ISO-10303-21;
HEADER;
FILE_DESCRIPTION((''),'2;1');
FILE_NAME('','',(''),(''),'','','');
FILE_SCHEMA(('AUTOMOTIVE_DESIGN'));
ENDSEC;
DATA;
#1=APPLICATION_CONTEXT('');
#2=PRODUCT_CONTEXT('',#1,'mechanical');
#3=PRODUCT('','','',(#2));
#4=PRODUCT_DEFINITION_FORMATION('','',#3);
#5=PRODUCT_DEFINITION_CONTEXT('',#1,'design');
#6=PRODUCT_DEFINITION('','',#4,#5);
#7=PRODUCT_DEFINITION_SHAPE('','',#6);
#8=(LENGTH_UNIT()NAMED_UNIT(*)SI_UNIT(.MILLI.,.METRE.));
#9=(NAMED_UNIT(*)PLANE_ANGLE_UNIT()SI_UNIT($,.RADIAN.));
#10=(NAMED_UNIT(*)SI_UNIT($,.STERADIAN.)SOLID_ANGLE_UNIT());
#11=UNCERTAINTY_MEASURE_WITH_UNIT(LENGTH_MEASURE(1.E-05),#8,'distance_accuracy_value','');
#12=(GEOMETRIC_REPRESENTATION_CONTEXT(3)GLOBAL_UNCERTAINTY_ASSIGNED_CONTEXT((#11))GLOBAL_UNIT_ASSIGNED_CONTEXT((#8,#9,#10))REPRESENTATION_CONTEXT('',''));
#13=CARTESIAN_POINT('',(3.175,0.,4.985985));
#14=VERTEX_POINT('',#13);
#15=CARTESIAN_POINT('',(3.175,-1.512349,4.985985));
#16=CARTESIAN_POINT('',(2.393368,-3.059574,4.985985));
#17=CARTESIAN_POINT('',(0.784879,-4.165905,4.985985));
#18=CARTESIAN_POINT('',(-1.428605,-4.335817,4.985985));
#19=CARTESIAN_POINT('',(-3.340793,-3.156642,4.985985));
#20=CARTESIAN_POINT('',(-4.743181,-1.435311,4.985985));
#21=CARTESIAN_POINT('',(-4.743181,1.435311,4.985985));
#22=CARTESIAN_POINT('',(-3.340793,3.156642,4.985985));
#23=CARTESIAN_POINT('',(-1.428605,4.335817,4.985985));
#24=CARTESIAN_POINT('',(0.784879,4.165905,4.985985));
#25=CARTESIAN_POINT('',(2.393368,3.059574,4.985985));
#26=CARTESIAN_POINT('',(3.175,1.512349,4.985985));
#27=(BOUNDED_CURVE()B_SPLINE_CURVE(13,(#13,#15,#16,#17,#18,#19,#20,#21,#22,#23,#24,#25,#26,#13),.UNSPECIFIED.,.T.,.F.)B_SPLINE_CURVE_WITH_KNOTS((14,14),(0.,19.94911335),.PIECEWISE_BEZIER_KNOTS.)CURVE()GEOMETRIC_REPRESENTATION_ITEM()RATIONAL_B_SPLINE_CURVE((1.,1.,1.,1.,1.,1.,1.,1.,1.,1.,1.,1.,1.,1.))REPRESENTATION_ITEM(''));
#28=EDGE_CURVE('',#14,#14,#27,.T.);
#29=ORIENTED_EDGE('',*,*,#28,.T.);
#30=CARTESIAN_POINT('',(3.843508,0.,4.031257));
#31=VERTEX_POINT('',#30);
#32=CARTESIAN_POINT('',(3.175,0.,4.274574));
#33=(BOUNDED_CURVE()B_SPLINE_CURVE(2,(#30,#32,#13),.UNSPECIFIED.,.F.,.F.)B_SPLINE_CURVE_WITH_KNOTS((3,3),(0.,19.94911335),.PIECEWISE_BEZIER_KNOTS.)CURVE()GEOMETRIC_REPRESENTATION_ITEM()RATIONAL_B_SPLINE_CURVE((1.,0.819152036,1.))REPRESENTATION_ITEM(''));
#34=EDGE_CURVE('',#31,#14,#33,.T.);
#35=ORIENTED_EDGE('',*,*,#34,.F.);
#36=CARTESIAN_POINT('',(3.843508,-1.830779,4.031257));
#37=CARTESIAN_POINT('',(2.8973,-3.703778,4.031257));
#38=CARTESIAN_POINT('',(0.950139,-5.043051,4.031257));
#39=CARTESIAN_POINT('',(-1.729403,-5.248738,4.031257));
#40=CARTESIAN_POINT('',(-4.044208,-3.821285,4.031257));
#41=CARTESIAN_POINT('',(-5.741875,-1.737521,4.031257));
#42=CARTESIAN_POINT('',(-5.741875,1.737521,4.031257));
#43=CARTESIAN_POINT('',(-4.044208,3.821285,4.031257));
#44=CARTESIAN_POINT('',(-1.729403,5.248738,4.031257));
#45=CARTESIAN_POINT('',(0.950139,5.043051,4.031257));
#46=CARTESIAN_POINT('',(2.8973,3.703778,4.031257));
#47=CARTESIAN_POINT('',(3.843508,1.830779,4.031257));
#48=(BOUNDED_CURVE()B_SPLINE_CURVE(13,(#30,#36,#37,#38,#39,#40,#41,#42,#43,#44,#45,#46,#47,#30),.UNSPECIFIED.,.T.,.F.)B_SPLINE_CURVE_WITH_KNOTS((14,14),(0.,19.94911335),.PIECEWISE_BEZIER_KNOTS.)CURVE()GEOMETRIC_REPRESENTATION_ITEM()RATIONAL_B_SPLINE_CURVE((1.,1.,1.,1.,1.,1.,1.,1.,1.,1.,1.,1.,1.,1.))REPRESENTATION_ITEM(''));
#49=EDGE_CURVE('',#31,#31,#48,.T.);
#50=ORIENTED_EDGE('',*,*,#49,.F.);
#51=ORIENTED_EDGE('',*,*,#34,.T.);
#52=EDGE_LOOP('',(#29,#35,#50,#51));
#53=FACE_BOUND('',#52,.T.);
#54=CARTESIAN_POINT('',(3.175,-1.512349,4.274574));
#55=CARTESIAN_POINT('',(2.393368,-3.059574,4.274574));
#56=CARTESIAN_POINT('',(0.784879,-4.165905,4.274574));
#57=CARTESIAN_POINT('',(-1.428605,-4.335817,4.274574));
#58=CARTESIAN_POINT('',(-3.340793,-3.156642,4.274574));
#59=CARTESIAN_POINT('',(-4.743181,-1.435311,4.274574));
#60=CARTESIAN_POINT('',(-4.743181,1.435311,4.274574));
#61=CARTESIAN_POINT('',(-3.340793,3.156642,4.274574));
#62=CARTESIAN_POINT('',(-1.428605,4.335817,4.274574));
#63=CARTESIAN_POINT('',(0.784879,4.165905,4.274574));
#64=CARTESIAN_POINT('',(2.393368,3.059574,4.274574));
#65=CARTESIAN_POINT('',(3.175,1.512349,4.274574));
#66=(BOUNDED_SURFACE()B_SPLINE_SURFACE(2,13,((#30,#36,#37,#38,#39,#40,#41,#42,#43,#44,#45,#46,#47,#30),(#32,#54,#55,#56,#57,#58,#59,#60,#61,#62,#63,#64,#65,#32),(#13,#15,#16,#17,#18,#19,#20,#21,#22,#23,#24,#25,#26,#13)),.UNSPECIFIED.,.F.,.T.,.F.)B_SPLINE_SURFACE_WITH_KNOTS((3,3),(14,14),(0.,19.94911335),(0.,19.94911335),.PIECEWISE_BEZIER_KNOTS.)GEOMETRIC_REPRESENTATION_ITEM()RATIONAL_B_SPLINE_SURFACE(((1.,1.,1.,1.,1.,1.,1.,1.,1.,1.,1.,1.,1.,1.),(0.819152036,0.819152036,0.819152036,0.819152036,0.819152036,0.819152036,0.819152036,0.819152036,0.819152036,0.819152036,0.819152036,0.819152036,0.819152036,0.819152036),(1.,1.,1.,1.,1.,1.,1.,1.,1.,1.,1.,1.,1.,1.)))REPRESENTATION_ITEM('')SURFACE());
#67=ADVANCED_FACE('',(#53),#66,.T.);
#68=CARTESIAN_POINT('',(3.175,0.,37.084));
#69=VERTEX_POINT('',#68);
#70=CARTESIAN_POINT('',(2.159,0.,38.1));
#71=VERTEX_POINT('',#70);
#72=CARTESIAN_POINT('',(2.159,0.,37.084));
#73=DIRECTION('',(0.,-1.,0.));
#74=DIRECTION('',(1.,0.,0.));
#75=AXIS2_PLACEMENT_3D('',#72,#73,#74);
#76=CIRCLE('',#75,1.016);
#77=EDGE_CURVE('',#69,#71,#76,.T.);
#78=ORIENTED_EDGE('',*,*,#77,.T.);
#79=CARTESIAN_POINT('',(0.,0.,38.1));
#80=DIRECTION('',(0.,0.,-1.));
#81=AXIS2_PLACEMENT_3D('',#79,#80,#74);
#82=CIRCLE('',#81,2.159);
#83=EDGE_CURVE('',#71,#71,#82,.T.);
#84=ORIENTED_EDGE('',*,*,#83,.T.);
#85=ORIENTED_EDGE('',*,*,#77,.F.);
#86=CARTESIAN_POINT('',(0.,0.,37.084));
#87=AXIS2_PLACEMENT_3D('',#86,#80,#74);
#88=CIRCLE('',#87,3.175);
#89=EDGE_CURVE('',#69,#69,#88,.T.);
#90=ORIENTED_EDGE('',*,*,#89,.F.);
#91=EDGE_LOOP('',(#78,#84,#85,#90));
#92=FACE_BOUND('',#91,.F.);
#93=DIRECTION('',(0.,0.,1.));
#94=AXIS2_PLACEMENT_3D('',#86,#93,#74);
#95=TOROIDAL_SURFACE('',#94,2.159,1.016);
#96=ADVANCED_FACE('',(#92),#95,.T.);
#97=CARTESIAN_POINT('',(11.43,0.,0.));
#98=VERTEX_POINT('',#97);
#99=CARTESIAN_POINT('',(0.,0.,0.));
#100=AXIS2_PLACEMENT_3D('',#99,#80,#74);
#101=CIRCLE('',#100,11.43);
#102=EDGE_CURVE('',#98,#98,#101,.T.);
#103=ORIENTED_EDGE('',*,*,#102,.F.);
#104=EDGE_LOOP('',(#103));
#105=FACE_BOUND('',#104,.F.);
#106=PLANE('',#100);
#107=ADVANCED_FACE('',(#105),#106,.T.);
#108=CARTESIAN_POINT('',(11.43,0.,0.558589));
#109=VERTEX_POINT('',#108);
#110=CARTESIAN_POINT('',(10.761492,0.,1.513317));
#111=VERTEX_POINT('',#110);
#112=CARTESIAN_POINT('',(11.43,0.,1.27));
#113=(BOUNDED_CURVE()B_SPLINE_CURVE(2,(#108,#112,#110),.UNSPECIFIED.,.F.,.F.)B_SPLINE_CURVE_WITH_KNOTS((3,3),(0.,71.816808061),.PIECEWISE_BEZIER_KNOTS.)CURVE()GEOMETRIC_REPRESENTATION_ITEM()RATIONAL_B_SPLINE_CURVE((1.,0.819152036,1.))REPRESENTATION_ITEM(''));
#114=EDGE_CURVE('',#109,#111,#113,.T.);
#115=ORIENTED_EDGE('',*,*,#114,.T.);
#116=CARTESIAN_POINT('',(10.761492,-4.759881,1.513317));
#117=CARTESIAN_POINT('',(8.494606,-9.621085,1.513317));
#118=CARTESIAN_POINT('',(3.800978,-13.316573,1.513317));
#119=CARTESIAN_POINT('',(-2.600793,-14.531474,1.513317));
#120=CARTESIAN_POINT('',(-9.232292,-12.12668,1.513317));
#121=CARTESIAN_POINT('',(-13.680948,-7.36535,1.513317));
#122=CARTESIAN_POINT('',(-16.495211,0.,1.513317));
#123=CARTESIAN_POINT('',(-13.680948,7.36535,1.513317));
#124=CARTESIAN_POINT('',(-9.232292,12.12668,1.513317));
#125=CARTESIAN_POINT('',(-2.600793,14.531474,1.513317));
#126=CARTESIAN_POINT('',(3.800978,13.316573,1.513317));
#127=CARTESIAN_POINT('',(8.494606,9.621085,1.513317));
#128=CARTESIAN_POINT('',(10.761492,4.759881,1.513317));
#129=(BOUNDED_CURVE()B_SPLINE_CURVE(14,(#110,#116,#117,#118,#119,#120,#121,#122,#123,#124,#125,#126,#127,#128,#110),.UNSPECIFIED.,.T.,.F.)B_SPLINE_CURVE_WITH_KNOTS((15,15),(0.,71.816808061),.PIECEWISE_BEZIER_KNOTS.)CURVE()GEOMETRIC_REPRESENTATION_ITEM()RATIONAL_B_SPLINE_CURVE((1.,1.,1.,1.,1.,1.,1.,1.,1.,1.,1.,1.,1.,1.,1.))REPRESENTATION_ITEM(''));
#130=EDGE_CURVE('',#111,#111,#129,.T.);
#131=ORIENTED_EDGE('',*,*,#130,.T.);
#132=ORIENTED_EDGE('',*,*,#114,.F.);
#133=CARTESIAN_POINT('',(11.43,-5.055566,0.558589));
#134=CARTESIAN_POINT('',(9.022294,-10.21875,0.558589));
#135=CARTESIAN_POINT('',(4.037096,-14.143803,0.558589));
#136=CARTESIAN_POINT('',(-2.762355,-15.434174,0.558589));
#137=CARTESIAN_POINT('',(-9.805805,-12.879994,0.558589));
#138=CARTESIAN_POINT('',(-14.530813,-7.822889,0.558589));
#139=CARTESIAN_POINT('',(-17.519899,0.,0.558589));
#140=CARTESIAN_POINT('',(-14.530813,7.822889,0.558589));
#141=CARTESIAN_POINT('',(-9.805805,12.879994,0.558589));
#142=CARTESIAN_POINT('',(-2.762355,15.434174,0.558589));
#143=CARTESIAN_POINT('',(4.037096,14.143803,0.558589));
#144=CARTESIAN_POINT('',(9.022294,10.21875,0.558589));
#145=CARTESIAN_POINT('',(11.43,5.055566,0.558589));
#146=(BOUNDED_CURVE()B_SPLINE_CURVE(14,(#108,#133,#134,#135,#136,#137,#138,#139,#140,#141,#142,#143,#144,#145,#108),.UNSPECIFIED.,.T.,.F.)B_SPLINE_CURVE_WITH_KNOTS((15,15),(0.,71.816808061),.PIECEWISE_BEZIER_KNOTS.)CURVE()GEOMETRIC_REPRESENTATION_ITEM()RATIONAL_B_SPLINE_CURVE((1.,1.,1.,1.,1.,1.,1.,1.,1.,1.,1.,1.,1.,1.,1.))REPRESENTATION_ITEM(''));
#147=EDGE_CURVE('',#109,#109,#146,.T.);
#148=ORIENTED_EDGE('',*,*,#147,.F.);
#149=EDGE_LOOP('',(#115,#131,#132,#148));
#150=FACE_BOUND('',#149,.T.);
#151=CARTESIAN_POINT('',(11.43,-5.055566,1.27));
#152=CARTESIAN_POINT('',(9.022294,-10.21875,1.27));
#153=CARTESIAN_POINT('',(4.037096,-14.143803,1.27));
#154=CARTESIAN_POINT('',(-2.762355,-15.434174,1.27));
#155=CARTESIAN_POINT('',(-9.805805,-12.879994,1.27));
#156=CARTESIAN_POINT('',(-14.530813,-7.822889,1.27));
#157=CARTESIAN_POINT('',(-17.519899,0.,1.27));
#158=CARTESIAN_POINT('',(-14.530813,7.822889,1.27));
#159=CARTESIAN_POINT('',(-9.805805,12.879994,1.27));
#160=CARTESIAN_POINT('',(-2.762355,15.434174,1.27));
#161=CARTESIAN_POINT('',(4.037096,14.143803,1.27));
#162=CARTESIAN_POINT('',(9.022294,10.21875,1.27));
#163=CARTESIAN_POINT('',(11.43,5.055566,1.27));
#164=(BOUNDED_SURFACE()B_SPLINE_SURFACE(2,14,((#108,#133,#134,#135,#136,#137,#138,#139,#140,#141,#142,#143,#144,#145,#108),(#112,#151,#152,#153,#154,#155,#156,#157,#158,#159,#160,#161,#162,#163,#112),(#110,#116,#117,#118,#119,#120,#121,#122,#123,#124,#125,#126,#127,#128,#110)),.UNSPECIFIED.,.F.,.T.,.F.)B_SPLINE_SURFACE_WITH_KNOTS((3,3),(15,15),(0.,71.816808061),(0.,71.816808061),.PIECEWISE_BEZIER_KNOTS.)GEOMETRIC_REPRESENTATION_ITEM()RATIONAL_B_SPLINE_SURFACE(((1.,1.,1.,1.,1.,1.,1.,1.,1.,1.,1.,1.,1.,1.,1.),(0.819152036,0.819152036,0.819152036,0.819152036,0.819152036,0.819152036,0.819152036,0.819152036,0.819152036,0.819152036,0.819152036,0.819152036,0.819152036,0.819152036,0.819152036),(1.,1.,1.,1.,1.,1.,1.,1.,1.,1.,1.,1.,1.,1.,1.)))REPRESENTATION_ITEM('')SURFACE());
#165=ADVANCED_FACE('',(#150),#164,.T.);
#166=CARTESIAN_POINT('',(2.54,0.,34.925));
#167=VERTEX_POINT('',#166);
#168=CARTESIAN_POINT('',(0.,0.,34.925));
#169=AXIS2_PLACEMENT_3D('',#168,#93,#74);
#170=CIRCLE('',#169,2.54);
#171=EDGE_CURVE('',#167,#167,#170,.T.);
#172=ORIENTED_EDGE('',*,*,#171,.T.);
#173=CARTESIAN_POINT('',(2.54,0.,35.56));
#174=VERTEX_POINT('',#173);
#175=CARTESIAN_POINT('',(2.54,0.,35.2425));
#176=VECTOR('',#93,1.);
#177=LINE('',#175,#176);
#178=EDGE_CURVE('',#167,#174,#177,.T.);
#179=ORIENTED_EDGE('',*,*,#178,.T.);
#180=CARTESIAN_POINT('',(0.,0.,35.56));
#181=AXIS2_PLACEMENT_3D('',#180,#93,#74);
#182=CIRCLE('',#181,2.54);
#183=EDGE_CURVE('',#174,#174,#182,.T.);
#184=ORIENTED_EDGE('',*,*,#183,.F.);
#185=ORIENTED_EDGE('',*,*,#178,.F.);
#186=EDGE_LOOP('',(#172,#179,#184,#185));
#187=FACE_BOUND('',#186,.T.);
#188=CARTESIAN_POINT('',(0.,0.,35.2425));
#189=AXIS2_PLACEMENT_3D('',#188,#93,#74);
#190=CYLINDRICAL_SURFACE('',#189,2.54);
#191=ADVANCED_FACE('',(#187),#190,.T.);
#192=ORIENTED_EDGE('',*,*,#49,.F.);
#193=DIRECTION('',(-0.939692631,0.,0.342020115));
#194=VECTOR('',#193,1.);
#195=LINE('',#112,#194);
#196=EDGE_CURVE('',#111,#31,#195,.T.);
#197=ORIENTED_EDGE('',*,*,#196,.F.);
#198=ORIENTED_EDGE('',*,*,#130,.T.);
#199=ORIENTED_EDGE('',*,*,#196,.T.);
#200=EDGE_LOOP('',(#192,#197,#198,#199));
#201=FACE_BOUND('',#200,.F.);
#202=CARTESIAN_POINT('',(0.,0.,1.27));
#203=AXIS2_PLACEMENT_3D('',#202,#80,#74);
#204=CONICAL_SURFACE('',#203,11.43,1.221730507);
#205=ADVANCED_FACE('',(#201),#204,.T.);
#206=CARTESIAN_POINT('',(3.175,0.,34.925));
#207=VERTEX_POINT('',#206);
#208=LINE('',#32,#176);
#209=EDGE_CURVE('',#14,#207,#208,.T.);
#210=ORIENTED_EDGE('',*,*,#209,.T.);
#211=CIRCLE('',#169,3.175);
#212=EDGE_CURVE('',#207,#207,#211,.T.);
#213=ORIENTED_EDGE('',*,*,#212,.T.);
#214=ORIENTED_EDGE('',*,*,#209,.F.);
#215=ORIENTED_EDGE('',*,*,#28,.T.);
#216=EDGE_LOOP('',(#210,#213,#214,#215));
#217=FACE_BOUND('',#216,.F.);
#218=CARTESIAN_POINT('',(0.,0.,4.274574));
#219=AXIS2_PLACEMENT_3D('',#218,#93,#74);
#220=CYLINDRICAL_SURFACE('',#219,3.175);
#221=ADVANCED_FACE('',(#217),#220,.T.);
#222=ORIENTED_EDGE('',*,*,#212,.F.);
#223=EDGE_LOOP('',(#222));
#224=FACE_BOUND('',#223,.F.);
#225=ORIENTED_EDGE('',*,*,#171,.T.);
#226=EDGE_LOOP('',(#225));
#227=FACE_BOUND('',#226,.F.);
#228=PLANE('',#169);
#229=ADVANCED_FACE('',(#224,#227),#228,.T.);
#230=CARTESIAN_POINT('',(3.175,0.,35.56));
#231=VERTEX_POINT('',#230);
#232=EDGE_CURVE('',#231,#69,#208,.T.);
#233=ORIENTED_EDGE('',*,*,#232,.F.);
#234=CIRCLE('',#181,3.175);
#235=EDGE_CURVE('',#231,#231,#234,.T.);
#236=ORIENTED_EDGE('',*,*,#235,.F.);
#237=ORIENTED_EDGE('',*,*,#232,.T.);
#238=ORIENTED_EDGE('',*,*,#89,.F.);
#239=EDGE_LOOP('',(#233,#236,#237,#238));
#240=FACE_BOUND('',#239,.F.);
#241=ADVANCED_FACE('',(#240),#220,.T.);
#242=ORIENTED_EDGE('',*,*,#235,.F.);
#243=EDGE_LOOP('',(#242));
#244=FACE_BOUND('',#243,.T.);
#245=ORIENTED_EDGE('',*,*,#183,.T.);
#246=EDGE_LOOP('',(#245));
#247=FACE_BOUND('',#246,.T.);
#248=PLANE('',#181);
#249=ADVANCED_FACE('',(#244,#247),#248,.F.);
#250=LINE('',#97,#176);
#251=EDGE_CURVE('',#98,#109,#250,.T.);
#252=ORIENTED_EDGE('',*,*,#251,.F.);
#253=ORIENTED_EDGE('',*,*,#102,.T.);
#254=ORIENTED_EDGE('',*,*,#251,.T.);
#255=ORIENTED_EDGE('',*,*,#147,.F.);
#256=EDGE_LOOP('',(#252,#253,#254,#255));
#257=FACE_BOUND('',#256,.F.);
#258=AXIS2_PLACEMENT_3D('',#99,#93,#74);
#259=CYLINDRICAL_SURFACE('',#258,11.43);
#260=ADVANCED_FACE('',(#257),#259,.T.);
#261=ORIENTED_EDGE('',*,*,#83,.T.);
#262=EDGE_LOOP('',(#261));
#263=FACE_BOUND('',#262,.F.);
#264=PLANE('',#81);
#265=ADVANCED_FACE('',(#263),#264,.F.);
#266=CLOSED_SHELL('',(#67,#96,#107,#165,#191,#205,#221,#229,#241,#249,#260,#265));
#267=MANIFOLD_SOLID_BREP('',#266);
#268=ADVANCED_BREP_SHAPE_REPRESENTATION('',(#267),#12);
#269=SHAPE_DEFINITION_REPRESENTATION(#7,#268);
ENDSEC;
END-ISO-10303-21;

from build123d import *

# Parameters (mm, degrees)
F2_R = 1.016
F3_W = 0.635
F3_H = 0.635
F5_R = 1.016


with BuildPart() as f1:
    # F0 (on Front) → F1 (revolve)
    with BuildSketch(Plane.XZ):
        Polygon((0, 38.1), (0, 0), (11.43, 0), (11.43, 1.27), (3.175, 4.274574), (3.175, 38.1), align=None)
    revolve(axis=Axis((0, 0, 19.05), (0, 0, -1)))

    # F2
    f2_edges = [f1.edges().sort_by_distance(p)[0] for p in [
        (-11.43, 0, 1.27),
        (-3.175, 0, 4.274574),
    ]]
    fillet(f2_edges, radius=F2_R)

    # F3 (on Front) → F4 (revolve, cut)
    with BuildSketch(Plane.XZ):
        with Locations((2.8575, 35.2425)):
            Rectangle(F3_W, F3_H)
    revolve(axis=Axis((0, 0, 4.274574), (0, 0, 1)), mode=Mode.SUBTRACT)

    # F5
    f5_edges = [f1.edges().sort_by_distance(p)[0] for p in [
        (-3.175, 0, 38.1),
    ]]
    fillet(f5_edges, radius=F5_R)


solid = f1.part
